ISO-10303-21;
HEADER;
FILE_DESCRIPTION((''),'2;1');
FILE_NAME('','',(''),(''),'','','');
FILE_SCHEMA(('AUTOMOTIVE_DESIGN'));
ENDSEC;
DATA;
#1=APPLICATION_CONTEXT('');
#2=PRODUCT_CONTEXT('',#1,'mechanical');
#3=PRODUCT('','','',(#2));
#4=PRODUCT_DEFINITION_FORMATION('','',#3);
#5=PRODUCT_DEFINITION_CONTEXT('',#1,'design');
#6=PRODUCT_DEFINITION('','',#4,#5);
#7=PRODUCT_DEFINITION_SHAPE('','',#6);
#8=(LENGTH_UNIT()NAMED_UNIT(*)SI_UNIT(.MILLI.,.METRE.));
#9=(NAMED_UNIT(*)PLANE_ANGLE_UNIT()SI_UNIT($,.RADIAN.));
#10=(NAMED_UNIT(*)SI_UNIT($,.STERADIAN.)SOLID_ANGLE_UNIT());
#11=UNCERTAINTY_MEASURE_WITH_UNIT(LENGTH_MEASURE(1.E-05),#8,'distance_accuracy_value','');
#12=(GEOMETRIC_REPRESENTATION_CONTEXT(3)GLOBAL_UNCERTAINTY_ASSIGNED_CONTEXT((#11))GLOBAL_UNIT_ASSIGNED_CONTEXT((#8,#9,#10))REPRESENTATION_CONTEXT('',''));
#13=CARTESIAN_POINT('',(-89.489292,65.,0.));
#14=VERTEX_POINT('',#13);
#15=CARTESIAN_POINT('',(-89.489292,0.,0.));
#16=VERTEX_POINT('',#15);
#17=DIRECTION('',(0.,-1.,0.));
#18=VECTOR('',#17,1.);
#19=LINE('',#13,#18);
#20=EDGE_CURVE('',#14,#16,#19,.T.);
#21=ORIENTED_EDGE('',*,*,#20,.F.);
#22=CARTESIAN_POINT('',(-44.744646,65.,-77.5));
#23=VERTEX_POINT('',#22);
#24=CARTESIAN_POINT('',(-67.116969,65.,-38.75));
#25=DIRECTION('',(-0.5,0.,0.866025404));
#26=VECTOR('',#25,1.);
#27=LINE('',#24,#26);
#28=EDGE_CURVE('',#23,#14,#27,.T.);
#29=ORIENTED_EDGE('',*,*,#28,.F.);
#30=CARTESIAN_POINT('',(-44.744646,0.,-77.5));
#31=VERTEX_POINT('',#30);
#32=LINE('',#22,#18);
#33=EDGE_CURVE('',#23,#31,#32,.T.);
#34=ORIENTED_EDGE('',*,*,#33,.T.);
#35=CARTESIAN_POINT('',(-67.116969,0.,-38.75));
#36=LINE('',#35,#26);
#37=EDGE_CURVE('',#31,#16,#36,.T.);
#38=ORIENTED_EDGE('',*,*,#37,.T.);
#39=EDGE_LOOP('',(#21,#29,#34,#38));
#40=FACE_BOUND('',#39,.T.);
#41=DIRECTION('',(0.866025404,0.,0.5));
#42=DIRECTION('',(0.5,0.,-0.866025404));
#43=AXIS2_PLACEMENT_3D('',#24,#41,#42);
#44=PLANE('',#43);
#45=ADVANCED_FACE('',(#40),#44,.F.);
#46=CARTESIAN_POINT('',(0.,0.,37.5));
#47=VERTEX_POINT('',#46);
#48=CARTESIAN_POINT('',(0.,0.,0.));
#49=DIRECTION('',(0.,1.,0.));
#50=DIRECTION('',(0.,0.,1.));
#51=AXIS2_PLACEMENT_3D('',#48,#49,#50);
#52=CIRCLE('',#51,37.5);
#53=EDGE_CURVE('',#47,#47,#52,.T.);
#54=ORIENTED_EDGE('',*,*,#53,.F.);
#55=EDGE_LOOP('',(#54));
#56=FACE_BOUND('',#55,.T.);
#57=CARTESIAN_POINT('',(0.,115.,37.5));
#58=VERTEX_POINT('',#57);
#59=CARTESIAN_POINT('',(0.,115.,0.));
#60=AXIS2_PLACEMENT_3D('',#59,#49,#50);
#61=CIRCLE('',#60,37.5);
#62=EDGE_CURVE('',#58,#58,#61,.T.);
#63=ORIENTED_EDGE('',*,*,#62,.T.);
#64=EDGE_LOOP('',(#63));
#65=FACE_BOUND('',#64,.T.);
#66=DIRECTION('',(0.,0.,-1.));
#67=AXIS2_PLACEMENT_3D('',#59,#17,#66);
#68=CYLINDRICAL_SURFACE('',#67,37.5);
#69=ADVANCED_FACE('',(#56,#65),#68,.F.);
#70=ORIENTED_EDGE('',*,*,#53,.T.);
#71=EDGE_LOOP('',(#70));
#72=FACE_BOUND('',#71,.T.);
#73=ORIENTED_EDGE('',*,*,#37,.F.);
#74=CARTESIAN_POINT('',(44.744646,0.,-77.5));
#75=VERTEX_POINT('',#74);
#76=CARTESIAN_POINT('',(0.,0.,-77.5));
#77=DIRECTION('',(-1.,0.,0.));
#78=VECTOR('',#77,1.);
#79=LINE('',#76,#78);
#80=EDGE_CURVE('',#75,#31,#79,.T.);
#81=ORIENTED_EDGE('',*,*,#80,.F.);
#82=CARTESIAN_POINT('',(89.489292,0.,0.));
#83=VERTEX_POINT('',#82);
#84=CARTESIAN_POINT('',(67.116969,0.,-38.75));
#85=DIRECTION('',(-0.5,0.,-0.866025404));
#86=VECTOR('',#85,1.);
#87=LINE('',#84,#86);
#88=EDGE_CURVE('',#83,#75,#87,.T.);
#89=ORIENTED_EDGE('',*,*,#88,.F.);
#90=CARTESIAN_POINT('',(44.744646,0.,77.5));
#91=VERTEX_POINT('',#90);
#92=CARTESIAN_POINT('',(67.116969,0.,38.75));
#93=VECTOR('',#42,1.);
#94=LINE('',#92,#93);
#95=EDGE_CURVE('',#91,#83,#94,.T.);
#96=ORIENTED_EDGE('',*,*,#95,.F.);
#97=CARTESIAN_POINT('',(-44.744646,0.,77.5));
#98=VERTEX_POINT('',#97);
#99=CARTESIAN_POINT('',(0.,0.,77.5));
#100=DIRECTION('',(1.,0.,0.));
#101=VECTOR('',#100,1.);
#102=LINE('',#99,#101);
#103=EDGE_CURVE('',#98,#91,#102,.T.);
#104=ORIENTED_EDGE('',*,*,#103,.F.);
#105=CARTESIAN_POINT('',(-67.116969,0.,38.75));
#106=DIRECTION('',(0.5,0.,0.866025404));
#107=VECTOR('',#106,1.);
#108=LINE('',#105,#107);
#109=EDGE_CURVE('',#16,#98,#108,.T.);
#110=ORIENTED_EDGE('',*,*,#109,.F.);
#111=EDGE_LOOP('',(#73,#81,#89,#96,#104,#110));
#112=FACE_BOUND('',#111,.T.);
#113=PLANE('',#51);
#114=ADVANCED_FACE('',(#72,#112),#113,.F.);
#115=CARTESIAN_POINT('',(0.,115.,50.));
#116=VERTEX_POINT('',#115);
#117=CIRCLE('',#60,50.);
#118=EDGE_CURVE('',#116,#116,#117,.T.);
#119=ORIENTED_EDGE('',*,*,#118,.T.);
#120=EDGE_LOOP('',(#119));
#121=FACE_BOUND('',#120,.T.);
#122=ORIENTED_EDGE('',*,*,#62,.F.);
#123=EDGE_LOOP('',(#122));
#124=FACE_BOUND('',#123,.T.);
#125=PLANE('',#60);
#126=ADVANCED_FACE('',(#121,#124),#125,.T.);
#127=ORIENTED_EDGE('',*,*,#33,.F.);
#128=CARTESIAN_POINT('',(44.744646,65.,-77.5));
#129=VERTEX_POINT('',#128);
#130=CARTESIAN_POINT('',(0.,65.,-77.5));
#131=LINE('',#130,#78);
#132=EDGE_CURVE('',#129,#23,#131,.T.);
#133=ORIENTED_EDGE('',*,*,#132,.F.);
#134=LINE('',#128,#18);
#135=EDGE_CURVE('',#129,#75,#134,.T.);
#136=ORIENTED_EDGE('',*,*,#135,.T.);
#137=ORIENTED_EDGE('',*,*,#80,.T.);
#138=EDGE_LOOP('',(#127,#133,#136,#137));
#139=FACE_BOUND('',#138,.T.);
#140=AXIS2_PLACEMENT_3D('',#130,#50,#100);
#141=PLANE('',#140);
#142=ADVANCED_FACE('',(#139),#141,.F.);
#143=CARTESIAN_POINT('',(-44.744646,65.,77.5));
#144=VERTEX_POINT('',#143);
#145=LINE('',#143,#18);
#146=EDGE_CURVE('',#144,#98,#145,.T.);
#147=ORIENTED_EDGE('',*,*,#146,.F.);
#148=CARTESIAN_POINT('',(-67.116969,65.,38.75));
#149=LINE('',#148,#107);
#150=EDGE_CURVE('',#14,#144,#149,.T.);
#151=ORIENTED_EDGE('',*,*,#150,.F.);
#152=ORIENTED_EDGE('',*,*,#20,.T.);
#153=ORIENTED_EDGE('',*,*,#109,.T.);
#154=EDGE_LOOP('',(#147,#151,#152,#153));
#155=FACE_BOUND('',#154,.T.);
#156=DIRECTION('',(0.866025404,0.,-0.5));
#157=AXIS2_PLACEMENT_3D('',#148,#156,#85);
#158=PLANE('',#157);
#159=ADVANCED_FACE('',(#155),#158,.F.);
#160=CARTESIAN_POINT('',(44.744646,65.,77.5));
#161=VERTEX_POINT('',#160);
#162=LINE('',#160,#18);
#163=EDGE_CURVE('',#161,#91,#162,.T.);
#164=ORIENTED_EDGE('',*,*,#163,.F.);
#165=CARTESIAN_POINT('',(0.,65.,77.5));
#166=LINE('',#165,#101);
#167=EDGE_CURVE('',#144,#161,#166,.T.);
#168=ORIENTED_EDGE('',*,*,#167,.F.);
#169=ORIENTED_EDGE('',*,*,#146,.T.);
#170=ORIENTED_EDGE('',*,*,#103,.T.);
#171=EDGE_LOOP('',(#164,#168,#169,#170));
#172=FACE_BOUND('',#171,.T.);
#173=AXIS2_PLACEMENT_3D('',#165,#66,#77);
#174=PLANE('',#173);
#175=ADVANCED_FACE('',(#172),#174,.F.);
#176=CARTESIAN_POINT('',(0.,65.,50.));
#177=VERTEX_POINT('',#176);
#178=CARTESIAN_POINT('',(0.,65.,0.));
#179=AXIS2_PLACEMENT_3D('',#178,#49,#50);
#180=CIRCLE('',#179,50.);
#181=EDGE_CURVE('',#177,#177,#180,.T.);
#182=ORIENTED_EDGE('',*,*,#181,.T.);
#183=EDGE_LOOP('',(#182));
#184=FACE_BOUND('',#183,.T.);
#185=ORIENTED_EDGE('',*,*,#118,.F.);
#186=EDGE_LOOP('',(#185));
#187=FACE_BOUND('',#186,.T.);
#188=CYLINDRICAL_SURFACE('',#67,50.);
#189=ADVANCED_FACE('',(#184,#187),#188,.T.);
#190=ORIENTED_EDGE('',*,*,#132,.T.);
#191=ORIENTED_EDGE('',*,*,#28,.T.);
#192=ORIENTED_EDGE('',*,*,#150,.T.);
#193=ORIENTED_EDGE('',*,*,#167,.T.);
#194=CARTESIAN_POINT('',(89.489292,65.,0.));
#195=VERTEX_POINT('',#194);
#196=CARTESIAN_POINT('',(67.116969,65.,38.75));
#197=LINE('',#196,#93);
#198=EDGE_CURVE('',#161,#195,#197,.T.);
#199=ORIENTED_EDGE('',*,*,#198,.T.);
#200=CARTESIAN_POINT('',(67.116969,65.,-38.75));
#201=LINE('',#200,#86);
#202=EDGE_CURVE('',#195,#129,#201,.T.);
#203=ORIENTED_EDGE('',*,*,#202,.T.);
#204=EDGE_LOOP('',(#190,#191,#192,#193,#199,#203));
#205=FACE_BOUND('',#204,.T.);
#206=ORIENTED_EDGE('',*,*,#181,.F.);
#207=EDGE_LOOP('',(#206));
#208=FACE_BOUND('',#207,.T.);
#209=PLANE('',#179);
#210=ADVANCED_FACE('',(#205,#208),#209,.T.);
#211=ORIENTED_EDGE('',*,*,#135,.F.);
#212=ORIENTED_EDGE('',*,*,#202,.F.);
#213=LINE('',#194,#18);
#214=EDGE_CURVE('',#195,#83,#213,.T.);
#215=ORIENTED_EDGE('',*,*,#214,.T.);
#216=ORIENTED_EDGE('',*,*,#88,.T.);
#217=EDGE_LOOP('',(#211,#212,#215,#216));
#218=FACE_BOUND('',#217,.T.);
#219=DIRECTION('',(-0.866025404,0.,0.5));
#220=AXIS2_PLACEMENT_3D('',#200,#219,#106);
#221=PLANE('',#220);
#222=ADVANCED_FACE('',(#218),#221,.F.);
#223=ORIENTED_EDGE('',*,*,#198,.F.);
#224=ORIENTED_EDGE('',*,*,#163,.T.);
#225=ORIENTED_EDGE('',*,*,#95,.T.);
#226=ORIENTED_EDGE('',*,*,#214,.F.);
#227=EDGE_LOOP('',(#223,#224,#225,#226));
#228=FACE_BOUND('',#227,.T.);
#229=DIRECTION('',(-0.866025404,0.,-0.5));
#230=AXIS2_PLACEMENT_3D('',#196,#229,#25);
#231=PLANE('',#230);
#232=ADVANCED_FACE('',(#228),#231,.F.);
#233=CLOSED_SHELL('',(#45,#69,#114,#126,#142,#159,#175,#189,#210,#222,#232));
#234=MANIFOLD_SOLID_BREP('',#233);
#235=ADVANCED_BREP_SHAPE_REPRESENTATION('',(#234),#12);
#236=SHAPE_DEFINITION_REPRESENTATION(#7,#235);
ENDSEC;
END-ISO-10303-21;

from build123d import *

# Parameters (mm, degrees)
SKETCH1_R           = 50
BOSS_EXTRUDE1_DEPTH = 65
SKETCH1_3_R         = 50
BOSS_EXTRUDE2_DEPTH = 115
SKETCH1_4_R         = 37.5
CUT_EXTRUDE1_DEPTH  = 115


with BuildPart() as part:
    # Sketch1 → Boss-Extrude1 (new body)
    with BuildSketch(Plane(origin=(0, 0, 0), x_dir=(1, 0, 0), z_dir=(0, 1, 0))):
        Polygon((44.744645862, -77.5), (89.489291724, 0), (44.744645862, 77.5), (-44.744645862, 77.5), (-89.489291724, 0), (-44.744645862, -77.5), align=None)
        Circle(SKETCH1_R, mode=Mode.SUBTRACT)
    extrude(amount=BOSS_EXTRUDE1_DEPTH)

    # Sketch1<3> → Boss-Extrude2 (add)
    with BuildSketch(Plane(origin=(0, 0, 0), x_dir=(1, 0, 0), z_dir=(0, 1, 0))):
        Circle(SKETCH1_3_R)
    extrude(amount=BOSS_EXTRUDE2_DEPTH)

    # Sketch1<4> → Cut-Extrude1 (cut)
    with BuildSketch(Plane(origin=(0, 0, 0), x_dir=(1, 0, 0), z_dir=(0, 1, 0))):
        Circle(SKETCH1_4_R)
    extrude(amount=CUT_EXTRUDE1_DEPTH, mode=Mode.SUBTRACT)


solid = part.part
